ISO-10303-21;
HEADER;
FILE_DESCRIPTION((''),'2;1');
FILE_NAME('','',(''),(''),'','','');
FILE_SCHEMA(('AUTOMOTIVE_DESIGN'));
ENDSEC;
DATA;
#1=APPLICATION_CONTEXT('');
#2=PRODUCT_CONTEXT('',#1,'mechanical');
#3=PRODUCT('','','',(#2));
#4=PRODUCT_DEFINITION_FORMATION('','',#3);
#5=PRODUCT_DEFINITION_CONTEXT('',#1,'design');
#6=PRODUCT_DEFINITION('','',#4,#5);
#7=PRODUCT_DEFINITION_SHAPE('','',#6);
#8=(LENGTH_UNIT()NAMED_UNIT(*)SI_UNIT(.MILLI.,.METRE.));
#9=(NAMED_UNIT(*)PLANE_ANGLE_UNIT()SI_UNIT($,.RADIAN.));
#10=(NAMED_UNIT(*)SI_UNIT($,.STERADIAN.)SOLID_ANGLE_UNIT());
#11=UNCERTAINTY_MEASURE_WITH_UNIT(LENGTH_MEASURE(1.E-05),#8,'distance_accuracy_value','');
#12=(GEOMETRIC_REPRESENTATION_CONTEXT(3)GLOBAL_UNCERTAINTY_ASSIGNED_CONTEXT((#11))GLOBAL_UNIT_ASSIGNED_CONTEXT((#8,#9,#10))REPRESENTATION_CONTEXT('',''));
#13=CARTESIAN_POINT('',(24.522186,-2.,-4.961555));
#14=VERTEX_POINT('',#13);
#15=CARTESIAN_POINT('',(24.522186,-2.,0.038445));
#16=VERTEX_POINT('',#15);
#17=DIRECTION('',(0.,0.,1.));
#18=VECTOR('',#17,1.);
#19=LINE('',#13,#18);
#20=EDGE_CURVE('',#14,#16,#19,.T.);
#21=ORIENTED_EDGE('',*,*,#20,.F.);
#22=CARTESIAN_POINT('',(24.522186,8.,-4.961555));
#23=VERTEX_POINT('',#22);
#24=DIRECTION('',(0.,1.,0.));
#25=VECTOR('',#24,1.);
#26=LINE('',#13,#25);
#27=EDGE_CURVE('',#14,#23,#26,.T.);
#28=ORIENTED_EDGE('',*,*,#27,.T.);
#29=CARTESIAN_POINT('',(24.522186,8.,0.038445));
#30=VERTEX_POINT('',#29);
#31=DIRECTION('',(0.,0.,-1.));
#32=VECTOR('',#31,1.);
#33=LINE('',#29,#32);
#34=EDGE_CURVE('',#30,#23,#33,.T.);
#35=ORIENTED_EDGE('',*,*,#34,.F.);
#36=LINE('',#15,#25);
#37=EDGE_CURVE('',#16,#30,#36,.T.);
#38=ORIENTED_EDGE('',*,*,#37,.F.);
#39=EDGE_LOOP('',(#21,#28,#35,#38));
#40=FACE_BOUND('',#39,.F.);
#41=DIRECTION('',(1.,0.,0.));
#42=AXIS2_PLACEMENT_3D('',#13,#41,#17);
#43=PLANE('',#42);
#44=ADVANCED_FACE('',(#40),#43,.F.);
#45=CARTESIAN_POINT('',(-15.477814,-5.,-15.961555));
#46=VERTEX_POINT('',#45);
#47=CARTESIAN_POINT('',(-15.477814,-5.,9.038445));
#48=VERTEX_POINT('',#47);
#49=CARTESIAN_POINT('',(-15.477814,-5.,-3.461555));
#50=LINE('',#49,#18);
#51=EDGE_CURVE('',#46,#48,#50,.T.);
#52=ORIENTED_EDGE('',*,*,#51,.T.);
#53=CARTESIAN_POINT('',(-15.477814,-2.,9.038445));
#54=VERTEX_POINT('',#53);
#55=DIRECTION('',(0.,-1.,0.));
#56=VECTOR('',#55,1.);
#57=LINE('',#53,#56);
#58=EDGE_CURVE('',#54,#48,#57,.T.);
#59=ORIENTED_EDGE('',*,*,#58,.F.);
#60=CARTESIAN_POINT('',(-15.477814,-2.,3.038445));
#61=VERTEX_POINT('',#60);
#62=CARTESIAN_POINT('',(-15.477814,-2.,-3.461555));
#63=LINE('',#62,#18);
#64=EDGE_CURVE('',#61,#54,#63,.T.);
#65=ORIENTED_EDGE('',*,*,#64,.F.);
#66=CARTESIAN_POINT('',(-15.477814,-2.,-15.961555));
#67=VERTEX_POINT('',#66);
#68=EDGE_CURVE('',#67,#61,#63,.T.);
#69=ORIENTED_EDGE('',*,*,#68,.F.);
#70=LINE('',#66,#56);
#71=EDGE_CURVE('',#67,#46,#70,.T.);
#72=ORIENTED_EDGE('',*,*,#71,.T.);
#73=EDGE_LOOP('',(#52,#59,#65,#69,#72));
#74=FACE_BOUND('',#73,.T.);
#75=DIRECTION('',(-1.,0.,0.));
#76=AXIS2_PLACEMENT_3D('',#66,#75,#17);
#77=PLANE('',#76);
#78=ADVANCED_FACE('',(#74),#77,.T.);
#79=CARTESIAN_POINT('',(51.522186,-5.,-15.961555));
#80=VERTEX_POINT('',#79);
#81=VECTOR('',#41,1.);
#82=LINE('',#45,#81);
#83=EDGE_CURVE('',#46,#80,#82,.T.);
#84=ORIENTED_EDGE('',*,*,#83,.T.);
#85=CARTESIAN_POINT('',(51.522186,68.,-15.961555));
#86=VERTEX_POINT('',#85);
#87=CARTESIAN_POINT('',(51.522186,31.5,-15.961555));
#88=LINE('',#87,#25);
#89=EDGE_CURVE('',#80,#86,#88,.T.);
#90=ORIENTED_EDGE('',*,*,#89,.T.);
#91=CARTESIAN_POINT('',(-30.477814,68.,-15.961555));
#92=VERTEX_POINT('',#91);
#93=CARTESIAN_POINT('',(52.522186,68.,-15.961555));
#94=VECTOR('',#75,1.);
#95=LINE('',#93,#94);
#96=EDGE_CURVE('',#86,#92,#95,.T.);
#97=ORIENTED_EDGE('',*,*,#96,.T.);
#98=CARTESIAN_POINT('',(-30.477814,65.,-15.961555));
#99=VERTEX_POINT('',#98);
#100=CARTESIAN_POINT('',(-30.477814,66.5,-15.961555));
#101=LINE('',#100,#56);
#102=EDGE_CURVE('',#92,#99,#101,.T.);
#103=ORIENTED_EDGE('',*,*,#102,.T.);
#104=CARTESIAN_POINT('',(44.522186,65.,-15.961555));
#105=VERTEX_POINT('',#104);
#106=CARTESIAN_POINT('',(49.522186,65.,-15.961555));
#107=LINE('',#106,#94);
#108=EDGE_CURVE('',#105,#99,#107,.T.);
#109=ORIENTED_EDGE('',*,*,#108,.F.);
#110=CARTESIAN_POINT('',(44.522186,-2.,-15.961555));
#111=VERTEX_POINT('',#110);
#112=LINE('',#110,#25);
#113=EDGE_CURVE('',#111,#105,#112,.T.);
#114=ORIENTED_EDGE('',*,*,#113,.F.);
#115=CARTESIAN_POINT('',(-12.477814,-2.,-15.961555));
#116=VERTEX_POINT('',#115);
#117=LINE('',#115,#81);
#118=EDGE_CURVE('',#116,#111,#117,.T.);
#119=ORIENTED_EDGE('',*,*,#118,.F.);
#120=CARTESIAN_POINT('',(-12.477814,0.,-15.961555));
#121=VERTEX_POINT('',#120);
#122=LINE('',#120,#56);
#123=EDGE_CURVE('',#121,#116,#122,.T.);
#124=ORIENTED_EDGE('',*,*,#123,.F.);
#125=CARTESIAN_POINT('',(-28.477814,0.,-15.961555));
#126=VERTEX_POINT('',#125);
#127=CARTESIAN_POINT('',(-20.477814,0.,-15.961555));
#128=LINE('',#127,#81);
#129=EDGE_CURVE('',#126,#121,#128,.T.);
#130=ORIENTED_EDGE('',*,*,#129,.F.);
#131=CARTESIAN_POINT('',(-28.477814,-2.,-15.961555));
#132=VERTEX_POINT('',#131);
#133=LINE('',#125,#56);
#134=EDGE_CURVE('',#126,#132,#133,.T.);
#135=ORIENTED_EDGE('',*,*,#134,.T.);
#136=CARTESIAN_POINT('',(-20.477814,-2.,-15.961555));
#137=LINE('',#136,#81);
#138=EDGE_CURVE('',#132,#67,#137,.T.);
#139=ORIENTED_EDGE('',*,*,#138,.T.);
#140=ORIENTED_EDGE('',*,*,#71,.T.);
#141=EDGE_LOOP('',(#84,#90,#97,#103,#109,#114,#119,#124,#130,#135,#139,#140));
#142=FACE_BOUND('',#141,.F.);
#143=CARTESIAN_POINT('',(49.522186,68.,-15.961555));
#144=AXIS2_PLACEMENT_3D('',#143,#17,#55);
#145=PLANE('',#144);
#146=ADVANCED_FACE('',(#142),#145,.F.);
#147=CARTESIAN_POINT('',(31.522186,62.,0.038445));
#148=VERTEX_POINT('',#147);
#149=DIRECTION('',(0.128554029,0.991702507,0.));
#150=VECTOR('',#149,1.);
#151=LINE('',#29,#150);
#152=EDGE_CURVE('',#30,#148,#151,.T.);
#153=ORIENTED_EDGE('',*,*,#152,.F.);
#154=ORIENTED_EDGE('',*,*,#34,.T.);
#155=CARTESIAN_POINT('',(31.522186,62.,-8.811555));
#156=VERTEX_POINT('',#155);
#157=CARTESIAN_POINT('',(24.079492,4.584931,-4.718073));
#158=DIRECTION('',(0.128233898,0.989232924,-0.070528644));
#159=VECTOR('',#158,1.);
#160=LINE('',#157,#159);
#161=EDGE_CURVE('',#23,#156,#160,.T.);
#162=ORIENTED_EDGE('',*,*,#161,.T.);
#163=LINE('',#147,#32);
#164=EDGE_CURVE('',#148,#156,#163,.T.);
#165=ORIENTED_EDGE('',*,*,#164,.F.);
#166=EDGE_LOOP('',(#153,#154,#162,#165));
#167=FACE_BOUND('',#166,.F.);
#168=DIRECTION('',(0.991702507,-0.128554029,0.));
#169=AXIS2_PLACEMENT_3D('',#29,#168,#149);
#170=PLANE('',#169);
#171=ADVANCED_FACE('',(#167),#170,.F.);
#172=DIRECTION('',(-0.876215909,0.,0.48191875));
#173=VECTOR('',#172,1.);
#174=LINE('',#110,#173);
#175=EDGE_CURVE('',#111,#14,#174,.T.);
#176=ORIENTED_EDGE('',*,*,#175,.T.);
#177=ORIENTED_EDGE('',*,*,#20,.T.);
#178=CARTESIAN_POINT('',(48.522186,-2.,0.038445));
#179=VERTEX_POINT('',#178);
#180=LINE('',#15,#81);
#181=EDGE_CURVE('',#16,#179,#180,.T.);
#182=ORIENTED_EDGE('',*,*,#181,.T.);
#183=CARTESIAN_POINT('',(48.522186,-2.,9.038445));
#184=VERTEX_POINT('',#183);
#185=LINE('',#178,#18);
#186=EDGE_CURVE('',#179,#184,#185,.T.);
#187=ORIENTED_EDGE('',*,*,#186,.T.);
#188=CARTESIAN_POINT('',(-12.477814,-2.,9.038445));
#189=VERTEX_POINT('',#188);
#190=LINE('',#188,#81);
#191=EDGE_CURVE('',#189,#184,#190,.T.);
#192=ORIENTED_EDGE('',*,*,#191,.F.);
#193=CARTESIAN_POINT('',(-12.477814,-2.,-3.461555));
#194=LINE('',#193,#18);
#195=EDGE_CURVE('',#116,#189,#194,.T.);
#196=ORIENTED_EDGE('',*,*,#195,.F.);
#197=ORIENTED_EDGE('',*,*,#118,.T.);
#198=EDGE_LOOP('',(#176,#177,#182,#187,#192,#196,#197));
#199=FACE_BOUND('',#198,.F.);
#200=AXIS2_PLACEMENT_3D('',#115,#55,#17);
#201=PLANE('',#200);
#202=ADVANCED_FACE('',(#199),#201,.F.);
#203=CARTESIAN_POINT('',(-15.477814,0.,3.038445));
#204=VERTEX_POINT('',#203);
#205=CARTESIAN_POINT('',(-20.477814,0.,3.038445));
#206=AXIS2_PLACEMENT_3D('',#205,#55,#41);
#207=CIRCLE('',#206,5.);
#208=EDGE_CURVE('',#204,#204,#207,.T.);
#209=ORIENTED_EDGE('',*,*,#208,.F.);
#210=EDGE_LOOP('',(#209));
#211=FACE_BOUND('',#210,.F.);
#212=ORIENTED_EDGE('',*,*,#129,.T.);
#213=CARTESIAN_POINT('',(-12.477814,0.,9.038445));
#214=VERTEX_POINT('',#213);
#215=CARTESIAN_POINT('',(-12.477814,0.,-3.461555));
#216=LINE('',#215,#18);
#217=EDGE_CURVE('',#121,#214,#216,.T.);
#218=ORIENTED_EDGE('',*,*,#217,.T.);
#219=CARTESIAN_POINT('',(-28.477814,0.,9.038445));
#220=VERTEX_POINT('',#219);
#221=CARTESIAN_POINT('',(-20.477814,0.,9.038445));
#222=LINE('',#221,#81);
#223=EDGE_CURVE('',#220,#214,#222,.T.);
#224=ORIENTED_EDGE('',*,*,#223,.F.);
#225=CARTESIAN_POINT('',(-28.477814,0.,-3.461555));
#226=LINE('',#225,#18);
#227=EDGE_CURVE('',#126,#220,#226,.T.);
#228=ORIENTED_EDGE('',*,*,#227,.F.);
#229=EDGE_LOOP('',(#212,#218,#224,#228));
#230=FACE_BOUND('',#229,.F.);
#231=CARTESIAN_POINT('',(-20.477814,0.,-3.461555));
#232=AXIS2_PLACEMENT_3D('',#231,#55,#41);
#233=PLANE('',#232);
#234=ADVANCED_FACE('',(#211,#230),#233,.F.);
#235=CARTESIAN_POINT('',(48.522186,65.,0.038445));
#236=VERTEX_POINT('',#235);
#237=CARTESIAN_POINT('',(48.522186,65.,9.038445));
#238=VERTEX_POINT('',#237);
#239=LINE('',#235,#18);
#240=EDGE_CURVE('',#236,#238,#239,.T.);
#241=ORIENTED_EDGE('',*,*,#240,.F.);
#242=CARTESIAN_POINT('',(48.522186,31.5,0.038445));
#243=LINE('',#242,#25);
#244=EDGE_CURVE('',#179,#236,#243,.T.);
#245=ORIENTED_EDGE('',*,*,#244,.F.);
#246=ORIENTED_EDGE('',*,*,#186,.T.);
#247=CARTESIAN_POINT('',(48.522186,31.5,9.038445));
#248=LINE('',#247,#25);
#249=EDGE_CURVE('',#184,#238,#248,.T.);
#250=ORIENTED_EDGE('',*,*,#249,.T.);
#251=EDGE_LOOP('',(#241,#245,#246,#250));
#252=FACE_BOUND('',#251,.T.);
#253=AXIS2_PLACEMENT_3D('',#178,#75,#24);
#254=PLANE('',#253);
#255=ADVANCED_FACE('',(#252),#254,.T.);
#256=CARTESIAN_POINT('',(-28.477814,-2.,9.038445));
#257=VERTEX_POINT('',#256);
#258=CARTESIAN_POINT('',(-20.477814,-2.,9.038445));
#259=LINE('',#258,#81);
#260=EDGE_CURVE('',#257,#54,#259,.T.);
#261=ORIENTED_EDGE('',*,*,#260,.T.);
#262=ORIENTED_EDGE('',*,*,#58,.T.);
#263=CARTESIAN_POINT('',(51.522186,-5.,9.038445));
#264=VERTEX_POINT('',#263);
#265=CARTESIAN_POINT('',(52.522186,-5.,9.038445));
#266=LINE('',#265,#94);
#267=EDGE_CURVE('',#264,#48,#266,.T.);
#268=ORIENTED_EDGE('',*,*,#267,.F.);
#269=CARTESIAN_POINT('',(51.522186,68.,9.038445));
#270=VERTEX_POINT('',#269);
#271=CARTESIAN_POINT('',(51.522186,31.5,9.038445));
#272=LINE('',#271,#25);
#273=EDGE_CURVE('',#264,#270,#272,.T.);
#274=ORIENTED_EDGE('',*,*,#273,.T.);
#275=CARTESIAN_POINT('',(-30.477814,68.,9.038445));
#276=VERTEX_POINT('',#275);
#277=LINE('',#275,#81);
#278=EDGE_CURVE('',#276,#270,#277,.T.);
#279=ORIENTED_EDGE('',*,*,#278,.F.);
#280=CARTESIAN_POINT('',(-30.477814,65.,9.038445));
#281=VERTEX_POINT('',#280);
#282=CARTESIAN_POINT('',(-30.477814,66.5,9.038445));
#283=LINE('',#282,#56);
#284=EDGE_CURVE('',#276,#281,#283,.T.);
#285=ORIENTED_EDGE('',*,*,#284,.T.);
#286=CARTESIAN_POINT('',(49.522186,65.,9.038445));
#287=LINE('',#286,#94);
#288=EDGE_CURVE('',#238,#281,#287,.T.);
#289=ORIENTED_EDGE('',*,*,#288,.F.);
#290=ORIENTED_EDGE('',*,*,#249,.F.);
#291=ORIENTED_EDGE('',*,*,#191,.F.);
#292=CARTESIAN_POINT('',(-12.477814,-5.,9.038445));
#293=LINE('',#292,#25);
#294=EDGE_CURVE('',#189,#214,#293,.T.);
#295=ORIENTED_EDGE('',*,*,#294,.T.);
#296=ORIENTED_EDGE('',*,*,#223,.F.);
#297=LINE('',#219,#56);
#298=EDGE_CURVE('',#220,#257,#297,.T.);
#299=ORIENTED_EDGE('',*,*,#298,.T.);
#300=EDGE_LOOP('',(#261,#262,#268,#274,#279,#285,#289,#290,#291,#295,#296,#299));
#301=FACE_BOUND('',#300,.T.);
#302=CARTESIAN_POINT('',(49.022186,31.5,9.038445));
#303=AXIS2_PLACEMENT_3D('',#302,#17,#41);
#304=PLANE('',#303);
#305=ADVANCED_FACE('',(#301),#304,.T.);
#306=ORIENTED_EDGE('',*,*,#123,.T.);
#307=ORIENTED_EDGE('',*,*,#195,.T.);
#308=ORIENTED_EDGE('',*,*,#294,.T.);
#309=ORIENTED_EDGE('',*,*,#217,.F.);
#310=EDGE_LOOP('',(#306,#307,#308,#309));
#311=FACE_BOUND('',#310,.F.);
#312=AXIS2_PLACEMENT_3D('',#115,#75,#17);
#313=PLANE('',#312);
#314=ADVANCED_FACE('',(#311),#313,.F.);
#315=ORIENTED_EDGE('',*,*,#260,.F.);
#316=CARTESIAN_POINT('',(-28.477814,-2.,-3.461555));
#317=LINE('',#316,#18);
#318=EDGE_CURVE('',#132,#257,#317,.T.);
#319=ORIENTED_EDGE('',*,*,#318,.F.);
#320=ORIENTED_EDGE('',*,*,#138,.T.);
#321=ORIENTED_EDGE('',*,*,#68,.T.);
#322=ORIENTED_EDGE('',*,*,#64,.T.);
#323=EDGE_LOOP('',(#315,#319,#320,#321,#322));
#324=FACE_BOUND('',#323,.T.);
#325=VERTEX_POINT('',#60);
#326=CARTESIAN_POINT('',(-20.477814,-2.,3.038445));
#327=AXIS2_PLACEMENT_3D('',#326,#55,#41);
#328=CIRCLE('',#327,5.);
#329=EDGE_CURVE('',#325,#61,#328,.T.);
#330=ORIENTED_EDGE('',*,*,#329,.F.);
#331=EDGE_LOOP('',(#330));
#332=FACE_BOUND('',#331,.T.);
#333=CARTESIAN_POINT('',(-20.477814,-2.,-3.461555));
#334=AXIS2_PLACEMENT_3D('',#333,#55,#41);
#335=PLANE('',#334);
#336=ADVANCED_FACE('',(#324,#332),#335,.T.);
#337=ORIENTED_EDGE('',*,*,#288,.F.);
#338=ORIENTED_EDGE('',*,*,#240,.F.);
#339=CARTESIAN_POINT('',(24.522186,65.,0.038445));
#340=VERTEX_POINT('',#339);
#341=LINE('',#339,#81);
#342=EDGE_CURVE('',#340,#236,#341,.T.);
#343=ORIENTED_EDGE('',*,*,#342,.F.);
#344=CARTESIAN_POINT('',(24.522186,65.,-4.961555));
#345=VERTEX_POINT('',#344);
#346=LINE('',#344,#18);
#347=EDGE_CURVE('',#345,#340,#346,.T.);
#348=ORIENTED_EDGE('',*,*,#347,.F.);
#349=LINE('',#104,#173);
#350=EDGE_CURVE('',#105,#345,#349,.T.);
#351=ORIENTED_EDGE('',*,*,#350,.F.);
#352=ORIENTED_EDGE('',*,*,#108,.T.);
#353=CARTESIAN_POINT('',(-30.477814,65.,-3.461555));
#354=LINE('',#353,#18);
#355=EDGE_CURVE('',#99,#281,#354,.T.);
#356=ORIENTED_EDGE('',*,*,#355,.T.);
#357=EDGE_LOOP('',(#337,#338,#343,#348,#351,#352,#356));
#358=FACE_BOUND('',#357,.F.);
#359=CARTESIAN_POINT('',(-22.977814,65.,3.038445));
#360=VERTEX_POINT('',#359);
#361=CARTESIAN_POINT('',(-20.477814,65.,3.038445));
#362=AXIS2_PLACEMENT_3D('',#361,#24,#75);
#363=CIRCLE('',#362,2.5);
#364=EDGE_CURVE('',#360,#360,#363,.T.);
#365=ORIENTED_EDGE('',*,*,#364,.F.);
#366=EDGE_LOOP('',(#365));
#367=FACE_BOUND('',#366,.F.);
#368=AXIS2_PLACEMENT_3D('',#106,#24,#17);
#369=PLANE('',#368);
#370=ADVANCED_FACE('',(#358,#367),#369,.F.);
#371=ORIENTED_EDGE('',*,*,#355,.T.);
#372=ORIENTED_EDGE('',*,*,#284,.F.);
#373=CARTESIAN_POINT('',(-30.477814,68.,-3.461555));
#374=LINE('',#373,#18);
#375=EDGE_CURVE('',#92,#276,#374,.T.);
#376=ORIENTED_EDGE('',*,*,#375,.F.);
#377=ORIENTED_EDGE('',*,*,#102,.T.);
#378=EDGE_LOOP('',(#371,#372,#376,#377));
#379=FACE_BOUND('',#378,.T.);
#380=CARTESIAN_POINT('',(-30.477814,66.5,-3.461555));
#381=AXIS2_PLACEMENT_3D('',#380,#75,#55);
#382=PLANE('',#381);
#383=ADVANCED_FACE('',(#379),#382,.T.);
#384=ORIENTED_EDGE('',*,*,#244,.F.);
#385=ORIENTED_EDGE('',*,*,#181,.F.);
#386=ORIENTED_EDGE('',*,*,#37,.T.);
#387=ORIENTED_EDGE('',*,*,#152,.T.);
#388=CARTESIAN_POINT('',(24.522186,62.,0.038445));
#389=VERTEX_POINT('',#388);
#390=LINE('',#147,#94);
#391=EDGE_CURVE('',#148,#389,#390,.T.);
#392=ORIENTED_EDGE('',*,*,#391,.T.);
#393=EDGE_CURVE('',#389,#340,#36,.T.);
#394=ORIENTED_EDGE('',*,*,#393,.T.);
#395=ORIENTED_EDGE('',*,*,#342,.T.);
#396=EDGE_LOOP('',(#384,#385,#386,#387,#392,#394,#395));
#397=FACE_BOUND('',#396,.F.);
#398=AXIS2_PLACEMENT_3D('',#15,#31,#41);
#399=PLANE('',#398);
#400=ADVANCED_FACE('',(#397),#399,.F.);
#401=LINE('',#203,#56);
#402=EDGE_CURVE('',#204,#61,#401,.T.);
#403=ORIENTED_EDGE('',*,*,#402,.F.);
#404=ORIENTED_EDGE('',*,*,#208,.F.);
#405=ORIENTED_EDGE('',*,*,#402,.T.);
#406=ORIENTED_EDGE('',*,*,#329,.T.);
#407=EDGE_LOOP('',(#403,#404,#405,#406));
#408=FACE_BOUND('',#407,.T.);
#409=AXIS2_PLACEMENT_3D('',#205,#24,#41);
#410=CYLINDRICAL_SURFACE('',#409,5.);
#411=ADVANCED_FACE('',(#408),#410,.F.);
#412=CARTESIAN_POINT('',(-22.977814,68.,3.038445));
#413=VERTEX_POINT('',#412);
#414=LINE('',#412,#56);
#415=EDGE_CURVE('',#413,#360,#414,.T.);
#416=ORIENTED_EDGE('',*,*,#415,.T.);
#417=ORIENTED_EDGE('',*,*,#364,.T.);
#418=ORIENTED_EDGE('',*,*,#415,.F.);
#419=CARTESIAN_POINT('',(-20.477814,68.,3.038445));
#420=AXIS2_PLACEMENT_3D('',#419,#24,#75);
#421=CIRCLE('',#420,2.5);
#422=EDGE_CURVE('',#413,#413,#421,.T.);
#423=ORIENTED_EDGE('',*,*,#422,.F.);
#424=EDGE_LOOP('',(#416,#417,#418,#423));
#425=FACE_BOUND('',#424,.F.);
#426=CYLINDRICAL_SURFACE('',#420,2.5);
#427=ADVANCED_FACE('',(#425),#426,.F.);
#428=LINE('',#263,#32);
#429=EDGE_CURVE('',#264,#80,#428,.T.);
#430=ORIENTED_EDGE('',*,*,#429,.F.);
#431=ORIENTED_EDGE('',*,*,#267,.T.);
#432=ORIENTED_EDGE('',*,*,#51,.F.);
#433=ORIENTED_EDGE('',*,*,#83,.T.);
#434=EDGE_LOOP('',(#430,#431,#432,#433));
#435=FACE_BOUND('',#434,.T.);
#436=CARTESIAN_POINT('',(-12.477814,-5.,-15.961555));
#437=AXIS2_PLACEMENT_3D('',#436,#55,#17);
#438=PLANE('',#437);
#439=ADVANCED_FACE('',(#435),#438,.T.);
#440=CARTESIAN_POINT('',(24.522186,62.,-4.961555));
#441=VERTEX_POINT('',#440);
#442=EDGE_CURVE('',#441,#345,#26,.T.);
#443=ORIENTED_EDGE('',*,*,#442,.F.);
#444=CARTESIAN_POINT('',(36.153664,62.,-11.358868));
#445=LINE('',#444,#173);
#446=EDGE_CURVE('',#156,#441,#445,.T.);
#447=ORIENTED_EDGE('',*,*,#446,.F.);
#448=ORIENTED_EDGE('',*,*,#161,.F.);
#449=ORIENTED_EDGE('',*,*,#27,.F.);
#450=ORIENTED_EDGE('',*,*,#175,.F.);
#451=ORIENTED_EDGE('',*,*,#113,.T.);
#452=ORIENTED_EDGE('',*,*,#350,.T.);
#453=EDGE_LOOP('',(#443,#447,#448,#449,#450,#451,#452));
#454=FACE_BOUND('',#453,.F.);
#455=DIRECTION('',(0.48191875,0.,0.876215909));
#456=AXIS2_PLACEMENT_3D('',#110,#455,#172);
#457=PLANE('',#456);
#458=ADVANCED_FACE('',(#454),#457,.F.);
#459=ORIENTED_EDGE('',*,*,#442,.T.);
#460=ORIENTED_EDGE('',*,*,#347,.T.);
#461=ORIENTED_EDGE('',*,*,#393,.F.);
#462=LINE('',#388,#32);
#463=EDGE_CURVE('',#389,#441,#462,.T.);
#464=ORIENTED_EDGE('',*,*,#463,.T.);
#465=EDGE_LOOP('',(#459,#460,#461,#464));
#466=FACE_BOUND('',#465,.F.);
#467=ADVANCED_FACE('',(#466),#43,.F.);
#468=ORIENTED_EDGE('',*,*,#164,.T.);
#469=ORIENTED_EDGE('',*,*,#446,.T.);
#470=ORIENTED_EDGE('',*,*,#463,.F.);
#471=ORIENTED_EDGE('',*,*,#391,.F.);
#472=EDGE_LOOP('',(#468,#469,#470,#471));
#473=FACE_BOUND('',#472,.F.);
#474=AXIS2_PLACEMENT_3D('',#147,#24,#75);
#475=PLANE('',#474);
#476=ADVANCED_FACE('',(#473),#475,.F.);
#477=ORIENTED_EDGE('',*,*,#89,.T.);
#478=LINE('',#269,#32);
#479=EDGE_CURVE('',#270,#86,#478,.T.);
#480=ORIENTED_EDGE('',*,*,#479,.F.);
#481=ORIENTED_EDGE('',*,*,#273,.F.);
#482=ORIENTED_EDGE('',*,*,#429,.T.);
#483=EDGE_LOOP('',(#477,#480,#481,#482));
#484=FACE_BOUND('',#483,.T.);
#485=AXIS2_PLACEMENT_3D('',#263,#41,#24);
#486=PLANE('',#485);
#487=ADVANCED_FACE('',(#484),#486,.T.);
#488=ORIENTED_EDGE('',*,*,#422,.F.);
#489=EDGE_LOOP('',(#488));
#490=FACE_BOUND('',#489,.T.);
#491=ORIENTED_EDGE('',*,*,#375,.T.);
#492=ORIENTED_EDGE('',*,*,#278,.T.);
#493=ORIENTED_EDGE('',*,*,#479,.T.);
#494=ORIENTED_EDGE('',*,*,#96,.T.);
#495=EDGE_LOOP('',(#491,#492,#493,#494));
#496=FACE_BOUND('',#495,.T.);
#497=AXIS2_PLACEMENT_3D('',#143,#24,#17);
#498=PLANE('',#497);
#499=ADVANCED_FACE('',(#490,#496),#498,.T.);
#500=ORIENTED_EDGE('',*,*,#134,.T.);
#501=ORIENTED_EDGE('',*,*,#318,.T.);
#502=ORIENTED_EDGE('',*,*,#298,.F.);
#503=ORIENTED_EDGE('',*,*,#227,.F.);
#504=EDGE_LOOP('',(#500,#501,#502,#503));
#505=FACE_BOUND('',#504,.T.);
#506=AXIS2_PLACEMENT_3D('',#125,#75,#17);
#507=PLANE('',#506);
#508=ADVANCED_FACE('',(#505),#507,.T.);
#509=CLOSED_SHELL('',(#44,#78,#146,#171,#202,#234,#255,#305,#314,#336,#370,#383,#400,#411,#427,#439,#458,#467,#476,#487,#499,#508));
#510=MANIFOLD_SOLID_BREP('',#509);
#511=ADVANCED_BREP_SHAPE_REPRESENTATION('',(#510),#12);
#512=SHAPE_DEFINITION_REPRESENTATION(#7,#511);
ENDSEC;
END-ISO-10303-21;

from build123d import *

# Parameters (mm, degrees)
F0_W      = 16
F0_H      = 25
F0_R      = 5
F1_DEPTH  = 2
F2_W      = 3
F2_H      = 25
F3_DEPTH  = 3
F4_W      = 3
F4_H      = 25
F5_DEPTH  = 65
F6_W      = 3
F6_H      = 25
F7_DEPTH  = 70
F10_DEPTH = 67
F11_W     = 3
F11_H     = 25
F12_DEPTH = 80
F13_R     = 2.5
F14_DEPTH = 3
F16_DEPTH = 16.001
F17_W     = 1
F17_H     = 67
F18_DEPTH = 9
F19_W     = 1
F19_H     = 73
F20_DEPTH = 25.001


with BuildPart() as f1:
    # F0 (on Front) → F1 (new body)
    with BuildSketch(Plane.XZ):
        with Locations((-20.477814, -3.461555)):
            Rectangle(F0_W, F0_H)
        with Locations((-20.477814, 3.038445)):
            Circle(F0_R, mode=Mode.SUBTRACT)
    extrude(amount=F1_DEPTH)

    # F2 (on face) → F3 (join)
    with BuildSketch(Plane.XZ.offset(2)):
        with Locations((-13.977814, -3.461555)):
            Rectangle(F2_W, F2_H)
    extrude(amount=F3_DEPTH)

    # F4 (on face) → F5 (join)
    with BuildSketch(Plane.YZ.offset(-12.477814)):
        with Locations((-3.5, -3.461555)):
            Rectangle(F4_W, F4_H)
    extrude(amount=F5_DEPTH)

    # F6 (on face) → F7 (join)
    with BuildSketch(Plane(origin=(0, -2, 0), x_dir=(-1, 0, 0), z_dir=(0, 1, 0))):
        with Locations((-51.022186, -3.461555)):
            Rectangle(F6_W, F6_H)
    extrude(amount=F7_DEPTH)

    # F9 (on face) → F10 (join)
    with BuildSketch(Plane(origin=(0, -2, 0), x_dir=(-1, 0, 0), z_dir=(0, 1, 0))):
        Polygon((-49.522186, 0.038445), (-49.522186, -15.961555), (-44.522186, -15.961555), (-24.522186, -4.961555), (-24.522186, 0.038445), align=None)
    extrude(amount=F10_DEPTH)

    # F11 (on face) → F12 (join)
    with BuildSketch(Plane(origin=(49.522186, 0, 0), x_dir=(0, -1, 0), z_dir=(-1, 0, 0))):
        with Locations((-66.5, -3.461555)):
            Rectangle(F11_W, F11_H)
    extrude(amount=F12_DEPTH)

    # F13 (on face) → F14 (cut)
    with BuildSketch(Plane(origin=(0, 68, 0), x_dir=(-1, 0, 0), z_dir=(0, 1, 0))):
        with Locations((20.477814, 3.038445)):
            Circle(F13_R)
    extrude(amount=-F14_DEPTH, mode=Mode.SUBTRACT)

    # F15 (on face) → F16 (cut, through all)
    with BuildSketch(Plane.XY.offset(0.038445)):
        Polygon((31.522186, 62), (24.522186, 62), (24.522186, 8), align=None)
    extrude(amount=-F16_DEPTH, mode=Mode.SUBTRACT)

    # F17 (on face) → F18 (join, through all)
    with BuildSketch(Plane.XY.offset(0.038445)):
        with Locations((49.022186, 31.5)):
            Rectangle(F17_W, F17_H)
    extrude(amount=F18_DEPTH)

    # F19 (on face) → F20 (cut, through all)
    with BuildSketch(Plane.XY.offset(9.038445)):
        with Locations((52.022186, 31.5)):
            Rectangle(F19_W, F19_H)
    extrude(amount=-F20_DEPTH, mode=Mode.SUBTRACT)


solid = f1.part
